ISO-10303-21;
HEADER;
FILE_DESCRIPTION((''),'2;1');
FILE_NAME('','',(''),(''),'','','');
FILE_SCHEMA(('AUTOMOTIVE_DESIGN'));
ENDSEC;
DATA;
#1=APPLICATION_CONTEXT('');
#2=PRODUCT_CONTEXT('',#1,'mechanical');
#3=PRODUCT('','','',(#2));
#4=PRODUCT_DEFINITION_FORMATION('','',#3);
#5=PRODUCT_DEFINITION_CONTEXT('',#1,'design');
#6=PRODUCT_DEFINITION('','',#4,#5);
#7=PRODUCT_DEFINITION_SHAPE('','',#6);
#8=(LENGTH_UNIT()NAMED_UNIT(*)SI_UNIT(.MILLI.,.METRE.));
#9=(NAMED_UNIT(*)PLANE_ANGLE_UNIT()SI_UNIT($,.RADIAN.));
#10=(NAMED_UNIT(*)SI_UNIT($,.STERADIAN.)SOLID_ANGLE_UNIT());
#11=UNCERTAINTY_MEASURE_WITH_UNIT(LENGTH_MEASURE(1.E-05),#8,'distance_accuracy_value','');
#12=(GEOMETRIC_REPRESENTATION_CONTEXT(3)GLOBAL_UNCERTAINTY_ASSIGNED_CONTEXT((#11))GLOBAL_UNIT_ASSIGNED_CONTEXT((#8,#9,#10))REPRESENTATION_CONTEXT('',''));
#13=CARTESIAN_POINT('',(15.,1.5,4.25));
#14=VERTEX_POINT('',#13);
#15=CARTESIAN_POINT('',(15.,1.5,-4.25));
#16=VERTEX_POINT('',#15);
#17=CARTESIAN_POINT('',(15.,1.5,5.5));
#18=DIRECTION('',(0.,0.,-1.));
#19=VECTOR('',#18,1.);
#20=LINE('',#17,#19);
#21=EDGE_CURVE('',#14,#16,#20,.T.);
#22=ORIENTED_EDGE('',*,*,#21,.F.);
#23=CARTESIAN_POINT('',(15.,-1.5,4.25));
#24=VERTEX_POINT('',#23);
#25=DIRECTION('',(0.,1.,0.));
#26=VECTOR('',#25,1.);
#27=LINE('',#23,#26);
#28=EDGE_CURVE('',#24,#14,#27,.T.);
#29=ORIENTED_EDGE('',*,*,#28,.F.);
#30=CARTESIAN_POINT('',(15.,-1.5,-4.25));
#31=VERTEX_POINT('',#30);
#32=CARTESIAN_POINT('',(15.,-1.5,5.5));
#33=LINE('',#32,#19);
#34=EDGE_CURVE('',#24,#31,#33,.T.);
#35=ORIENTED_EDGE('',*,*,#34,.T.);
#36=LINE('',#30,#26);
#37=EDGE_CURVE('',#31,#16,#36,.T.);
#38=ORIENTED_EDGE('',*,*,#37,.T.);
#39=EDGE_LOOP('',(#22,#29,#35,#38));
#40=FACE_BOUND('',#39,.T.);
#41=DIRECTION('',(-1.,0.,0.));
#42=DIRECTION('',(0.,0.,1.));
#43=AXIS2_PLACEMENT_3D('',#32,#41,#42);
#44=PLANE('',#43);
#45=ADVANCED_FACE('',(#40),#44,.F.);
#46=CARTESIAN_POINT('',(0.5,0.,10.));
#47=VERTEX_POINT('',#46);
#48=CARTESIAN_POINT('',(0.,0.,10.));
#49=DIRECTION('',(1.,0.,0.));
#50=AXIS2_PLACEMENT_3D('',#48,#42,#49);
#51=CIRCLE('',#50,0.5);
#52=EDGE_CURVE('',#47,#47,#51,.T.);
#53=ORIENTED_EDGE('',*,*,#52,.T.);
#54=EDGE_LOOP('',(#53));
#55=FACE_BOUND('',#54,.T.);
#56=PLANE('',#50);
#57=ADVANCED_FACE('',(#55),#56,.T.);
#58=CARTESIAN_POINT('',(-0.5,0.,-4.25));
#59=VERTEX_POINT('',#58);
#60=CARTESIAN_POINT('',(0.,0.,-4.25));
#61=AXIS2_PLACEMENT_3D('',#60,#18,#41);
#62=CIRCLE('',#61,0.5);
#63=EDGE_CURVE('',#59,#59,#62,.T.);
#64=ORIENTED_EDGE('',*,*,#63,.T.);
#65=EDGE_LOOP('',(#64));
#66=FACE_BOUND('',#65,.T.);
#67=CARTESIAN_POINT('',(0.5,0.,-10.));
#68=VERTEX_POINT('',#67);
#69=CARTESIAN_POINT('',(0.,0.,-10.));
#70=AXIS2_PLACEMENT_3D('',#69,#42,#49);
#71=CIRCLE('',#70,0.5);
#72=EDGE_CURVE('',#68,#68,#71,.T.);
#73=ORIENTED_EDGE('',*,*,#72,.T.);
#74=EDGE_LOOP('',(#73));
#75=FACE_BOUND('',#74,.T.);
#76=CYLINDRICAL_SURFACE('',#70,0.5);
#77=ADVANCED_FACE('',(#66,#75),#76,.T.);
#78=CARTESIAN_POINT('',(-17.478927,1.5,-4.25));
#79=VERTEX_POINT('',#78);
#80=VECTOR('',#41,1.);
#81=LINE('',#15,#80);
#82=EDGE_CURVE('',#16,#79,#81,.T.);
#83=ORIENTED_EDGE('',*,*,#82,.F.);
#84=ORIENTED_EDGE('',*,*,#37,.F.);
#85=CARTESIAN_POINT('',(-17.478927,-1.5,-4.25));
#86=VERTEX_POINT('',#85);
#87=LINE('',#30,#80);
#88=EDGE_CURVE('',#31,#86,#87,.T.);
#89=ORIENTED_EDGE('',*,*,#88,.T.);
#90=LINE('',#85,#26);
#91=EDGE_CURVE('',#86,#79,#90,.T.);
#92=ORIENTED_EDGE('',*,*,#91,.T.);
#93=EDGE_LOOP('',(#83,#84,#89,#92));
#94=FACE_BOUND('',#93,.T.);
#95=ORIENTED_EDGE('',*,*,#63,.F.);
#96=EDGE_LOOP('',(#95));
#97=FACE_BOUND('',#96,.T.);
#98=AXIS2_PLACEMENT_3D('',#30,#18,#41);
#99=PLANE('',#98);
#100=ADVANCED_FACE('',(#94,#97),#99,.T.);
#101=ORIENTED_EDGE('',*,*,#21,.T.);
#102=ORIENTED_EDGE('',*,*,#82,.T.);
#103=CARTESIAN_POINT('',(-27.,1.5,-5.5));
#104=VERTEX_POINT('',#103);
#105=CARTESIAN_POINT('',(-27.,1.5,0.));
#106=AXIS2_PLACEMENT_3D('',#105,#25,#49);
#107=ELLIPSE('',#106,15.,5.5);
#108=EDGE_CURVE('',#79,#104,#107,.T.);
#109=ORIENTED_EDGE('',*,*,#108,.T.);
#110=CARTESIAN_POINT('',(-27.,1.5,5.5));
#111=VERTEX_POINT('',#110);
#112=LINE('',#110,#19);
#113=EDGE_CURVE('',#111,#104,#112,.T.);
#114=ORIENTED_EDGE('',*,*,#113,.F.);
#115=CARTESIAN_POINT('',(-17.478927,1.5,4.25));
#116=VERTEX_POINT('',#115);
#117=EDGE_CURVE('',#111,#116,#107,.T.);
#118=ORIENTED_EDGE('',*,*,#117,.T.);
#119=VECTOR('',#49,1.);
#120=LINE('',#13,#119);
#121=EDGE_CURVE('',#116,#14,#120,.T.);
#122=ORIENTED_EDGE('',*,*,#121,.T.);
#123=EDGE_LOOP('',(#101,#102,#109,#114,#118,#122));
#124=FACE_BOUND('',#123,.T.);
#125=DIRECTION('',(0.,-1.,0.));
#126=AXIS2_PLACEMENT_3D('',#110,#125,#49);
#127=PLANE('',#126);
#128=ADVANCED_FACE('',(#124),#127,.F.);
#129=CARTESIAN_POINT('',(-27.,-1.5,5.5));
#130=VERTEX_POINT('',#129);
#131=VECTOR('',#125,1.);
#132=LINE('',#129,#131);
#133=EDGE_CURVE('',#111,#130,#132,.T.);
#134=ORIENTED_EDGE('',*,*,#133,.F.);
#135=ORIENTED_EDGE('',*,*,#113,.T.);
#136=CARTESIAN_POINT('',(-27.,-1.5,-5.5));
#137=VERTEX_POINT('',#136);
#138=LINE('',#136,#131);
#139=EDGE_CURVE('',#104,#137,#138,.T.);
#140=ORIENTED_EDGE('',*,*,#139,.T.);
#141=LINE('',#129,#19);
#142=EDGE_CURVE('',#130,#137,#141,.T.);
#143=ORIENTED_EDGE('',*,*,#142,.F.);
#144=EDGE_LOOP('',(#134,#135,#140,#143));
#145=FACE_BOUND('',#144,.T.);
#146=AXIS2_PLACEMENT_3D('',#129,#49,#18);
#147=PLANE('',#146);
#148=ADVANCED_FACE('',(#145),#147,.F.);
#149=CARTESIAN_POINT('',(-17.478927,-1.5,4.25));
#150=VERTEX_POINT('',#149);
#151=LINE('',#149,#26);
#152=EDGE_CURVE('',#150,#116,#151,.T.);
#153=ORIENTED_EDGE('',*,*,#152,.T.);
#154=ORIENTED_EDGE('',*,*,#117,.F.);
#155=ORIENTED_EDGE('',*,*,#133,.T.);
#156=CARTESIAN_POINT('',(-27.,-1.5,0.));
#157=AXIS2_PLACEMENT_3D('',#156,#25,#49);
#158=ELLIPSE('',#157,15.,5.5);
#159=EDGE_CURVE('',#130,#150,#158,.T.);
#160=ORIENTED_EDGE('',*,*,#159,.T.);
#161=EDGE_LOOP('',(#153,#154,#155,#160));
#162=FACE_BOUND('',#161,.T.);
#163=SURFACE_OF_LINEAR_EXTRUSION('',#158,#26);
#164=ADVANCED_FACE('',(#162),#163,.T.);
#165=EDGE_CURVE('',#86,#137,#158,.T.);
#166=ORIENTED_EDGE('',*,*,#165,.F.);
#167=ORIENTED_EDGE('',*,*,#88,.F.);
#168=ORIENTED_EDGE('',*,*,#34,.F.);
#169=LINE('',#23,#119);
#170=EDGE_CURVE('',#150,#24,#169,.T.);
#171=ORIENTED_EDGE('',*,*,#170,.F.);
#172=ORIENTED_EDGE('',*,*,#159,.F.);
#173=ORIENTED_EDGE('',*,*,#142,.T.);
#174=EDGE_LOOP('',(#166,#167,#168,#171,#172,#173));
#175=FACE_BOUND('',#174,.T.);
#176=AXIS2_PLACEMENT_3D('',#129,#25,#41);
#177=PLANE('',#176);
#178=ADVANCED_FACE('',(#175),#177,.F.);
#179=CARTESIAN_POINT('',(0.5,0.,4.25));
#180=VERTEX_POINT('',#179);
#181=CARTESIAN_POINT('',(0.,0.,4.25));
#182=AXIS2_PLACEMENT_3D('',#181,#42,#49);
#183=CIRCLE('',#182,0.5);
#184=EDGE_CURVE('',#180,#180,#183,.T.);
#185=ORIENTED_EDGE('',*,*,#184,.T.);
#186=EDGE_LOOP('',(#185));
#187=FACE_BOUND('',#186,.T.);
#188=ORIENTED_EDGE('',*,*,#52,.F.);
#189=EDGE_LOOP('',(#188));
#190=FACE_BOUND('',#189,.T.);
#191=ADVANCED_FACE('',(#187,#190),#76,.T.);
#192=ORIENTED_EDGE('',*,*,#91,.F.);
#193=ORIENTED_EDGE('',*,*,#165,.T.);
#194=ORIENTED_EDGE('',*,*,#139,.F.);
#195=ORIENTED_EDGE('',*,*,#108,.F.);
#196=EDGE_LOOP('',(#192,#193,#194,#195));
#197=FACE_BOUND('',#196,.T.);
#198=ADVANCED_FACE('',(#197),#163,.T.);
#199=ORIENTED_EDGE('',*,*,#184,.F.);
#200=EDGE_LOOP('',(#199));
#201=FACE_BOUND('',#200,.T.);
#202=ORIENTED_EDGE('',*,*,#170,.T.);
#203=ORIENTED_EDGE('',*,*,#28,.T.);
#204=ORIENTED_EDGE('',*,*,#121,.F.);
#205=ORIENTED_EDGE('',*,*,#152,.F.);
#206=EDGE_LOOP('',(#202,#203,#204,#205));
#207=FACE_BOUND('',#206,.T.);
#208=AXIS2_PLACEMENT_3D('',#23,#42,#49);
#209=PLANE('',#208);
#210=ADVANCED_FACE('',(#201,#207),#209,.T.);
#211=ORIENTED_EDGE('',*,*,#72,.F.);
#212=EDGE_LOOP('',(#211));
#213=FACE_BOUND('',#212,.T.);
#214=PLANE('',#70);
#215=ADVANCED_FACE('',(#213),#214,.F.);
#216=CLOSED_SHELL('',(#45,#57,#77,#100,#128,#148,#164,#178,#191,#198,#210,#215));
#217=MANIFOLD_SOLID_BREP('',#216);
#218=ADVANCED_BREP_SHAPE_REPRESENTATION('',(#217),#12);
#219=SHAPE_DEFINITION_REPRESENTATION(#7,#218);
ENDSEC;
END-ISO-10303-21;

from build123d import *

# Parameters (mm, degrees)
BOSS_EXTRUDE1_DEPTH      = 5.5
BOSS_EXTRUDE1_DEPTH_BACK = 5.5
SKETCH1_W                = 42
SKETCH1_H                = 3
SKETCH2_OUTSIDE_W        = 52.704
SKETCH2_OUTSIDE_H        = 21.704
CUT_EXTRUDE1_DEPTH       = 28.717323103
BOSS_EXTRUDE2_DEPTH      = 10
BOSS_EXTRUDE2_DEPTH_BACK = 10
SKETCH3_R                = 0.5


with BuildPart() as part:
    # Sketch1 → Boss-Extrude1 (new, two sides: drawn at the far end of the back side and taken through both)
    with BuildSketch(Plane.XY.offset(-BOSS_EXTRUDE1_DEPTH_BACK)):
        with Locations((-6, 0)):
            Rectangle(SKETCH1_W, SKETCH1_H)
    extrude(amount=BOSS_EXTRUDE1_DEPTH + BOSS_EXTRUDE1_DEPTH_BACK)

    # Sketch2 outside → Cut-Extrude1 (cut, through all)
    with BuildSketch(Plane(origin=(0, 1.5, 0), x_dir=(1, 0, 0), z_dir=(0, 1, 0))):
        with Locations((-6, 0)):
            Rectangle(SKETCH2_OUTSIDE_W, SKETCH2_OUTSIDE_H)
        with BuildLine():
            Line((15, -4.25), (15, 4.25))
            Line((15, 4.25), (-17.478927243, 4.25))
            add(Edge.make_bspline(
                [(-17.478927243, 4.25), (-21.629138445, 5.5), (-27, 5.5)],
                knots=[0.883126675, 0.883126675, 0.883126675, 1.570796327, 1.570796327, 1.570796327], degree=2, weights=[1, 0.941468872, 1]))
            Line((-27, 5.5), (-27, -5.5))
            add(Edge.make_bspline(
                [(-27, -5.5), (-21.629138445, -5.5), (-17.478927243, -4.25)],
                knots=[4.71238898, 4.71238898, 4.71238898, 5.400058632, 5.400058632, 5.400058632], degree=2, weights=[1, 0.941468872, 1]))
            Line((-17.478927243, -4.25), (15, -4.25))
        make_face(mode=Mode.SUBTRACT)
    extrude(amount=-CUT_EXTRUDE1_DEPTH, mode=Mode.SUBTRACT)

    # Sketch3 → Boss-Extrude2 (add, two sides: drawn at the far end of the back side and taken through both)
    with BuildSketch(Plane.XY.offset(-BOSS_EXTRUDE2_DEPTH_BACK)):
        Circle(SKETCH3_R)
    extrude(amount=BOSS_EXTRUDE2_DEPTH + BOSS_EXTRUDE2_DEPTH_BACK)


solid = part.part
